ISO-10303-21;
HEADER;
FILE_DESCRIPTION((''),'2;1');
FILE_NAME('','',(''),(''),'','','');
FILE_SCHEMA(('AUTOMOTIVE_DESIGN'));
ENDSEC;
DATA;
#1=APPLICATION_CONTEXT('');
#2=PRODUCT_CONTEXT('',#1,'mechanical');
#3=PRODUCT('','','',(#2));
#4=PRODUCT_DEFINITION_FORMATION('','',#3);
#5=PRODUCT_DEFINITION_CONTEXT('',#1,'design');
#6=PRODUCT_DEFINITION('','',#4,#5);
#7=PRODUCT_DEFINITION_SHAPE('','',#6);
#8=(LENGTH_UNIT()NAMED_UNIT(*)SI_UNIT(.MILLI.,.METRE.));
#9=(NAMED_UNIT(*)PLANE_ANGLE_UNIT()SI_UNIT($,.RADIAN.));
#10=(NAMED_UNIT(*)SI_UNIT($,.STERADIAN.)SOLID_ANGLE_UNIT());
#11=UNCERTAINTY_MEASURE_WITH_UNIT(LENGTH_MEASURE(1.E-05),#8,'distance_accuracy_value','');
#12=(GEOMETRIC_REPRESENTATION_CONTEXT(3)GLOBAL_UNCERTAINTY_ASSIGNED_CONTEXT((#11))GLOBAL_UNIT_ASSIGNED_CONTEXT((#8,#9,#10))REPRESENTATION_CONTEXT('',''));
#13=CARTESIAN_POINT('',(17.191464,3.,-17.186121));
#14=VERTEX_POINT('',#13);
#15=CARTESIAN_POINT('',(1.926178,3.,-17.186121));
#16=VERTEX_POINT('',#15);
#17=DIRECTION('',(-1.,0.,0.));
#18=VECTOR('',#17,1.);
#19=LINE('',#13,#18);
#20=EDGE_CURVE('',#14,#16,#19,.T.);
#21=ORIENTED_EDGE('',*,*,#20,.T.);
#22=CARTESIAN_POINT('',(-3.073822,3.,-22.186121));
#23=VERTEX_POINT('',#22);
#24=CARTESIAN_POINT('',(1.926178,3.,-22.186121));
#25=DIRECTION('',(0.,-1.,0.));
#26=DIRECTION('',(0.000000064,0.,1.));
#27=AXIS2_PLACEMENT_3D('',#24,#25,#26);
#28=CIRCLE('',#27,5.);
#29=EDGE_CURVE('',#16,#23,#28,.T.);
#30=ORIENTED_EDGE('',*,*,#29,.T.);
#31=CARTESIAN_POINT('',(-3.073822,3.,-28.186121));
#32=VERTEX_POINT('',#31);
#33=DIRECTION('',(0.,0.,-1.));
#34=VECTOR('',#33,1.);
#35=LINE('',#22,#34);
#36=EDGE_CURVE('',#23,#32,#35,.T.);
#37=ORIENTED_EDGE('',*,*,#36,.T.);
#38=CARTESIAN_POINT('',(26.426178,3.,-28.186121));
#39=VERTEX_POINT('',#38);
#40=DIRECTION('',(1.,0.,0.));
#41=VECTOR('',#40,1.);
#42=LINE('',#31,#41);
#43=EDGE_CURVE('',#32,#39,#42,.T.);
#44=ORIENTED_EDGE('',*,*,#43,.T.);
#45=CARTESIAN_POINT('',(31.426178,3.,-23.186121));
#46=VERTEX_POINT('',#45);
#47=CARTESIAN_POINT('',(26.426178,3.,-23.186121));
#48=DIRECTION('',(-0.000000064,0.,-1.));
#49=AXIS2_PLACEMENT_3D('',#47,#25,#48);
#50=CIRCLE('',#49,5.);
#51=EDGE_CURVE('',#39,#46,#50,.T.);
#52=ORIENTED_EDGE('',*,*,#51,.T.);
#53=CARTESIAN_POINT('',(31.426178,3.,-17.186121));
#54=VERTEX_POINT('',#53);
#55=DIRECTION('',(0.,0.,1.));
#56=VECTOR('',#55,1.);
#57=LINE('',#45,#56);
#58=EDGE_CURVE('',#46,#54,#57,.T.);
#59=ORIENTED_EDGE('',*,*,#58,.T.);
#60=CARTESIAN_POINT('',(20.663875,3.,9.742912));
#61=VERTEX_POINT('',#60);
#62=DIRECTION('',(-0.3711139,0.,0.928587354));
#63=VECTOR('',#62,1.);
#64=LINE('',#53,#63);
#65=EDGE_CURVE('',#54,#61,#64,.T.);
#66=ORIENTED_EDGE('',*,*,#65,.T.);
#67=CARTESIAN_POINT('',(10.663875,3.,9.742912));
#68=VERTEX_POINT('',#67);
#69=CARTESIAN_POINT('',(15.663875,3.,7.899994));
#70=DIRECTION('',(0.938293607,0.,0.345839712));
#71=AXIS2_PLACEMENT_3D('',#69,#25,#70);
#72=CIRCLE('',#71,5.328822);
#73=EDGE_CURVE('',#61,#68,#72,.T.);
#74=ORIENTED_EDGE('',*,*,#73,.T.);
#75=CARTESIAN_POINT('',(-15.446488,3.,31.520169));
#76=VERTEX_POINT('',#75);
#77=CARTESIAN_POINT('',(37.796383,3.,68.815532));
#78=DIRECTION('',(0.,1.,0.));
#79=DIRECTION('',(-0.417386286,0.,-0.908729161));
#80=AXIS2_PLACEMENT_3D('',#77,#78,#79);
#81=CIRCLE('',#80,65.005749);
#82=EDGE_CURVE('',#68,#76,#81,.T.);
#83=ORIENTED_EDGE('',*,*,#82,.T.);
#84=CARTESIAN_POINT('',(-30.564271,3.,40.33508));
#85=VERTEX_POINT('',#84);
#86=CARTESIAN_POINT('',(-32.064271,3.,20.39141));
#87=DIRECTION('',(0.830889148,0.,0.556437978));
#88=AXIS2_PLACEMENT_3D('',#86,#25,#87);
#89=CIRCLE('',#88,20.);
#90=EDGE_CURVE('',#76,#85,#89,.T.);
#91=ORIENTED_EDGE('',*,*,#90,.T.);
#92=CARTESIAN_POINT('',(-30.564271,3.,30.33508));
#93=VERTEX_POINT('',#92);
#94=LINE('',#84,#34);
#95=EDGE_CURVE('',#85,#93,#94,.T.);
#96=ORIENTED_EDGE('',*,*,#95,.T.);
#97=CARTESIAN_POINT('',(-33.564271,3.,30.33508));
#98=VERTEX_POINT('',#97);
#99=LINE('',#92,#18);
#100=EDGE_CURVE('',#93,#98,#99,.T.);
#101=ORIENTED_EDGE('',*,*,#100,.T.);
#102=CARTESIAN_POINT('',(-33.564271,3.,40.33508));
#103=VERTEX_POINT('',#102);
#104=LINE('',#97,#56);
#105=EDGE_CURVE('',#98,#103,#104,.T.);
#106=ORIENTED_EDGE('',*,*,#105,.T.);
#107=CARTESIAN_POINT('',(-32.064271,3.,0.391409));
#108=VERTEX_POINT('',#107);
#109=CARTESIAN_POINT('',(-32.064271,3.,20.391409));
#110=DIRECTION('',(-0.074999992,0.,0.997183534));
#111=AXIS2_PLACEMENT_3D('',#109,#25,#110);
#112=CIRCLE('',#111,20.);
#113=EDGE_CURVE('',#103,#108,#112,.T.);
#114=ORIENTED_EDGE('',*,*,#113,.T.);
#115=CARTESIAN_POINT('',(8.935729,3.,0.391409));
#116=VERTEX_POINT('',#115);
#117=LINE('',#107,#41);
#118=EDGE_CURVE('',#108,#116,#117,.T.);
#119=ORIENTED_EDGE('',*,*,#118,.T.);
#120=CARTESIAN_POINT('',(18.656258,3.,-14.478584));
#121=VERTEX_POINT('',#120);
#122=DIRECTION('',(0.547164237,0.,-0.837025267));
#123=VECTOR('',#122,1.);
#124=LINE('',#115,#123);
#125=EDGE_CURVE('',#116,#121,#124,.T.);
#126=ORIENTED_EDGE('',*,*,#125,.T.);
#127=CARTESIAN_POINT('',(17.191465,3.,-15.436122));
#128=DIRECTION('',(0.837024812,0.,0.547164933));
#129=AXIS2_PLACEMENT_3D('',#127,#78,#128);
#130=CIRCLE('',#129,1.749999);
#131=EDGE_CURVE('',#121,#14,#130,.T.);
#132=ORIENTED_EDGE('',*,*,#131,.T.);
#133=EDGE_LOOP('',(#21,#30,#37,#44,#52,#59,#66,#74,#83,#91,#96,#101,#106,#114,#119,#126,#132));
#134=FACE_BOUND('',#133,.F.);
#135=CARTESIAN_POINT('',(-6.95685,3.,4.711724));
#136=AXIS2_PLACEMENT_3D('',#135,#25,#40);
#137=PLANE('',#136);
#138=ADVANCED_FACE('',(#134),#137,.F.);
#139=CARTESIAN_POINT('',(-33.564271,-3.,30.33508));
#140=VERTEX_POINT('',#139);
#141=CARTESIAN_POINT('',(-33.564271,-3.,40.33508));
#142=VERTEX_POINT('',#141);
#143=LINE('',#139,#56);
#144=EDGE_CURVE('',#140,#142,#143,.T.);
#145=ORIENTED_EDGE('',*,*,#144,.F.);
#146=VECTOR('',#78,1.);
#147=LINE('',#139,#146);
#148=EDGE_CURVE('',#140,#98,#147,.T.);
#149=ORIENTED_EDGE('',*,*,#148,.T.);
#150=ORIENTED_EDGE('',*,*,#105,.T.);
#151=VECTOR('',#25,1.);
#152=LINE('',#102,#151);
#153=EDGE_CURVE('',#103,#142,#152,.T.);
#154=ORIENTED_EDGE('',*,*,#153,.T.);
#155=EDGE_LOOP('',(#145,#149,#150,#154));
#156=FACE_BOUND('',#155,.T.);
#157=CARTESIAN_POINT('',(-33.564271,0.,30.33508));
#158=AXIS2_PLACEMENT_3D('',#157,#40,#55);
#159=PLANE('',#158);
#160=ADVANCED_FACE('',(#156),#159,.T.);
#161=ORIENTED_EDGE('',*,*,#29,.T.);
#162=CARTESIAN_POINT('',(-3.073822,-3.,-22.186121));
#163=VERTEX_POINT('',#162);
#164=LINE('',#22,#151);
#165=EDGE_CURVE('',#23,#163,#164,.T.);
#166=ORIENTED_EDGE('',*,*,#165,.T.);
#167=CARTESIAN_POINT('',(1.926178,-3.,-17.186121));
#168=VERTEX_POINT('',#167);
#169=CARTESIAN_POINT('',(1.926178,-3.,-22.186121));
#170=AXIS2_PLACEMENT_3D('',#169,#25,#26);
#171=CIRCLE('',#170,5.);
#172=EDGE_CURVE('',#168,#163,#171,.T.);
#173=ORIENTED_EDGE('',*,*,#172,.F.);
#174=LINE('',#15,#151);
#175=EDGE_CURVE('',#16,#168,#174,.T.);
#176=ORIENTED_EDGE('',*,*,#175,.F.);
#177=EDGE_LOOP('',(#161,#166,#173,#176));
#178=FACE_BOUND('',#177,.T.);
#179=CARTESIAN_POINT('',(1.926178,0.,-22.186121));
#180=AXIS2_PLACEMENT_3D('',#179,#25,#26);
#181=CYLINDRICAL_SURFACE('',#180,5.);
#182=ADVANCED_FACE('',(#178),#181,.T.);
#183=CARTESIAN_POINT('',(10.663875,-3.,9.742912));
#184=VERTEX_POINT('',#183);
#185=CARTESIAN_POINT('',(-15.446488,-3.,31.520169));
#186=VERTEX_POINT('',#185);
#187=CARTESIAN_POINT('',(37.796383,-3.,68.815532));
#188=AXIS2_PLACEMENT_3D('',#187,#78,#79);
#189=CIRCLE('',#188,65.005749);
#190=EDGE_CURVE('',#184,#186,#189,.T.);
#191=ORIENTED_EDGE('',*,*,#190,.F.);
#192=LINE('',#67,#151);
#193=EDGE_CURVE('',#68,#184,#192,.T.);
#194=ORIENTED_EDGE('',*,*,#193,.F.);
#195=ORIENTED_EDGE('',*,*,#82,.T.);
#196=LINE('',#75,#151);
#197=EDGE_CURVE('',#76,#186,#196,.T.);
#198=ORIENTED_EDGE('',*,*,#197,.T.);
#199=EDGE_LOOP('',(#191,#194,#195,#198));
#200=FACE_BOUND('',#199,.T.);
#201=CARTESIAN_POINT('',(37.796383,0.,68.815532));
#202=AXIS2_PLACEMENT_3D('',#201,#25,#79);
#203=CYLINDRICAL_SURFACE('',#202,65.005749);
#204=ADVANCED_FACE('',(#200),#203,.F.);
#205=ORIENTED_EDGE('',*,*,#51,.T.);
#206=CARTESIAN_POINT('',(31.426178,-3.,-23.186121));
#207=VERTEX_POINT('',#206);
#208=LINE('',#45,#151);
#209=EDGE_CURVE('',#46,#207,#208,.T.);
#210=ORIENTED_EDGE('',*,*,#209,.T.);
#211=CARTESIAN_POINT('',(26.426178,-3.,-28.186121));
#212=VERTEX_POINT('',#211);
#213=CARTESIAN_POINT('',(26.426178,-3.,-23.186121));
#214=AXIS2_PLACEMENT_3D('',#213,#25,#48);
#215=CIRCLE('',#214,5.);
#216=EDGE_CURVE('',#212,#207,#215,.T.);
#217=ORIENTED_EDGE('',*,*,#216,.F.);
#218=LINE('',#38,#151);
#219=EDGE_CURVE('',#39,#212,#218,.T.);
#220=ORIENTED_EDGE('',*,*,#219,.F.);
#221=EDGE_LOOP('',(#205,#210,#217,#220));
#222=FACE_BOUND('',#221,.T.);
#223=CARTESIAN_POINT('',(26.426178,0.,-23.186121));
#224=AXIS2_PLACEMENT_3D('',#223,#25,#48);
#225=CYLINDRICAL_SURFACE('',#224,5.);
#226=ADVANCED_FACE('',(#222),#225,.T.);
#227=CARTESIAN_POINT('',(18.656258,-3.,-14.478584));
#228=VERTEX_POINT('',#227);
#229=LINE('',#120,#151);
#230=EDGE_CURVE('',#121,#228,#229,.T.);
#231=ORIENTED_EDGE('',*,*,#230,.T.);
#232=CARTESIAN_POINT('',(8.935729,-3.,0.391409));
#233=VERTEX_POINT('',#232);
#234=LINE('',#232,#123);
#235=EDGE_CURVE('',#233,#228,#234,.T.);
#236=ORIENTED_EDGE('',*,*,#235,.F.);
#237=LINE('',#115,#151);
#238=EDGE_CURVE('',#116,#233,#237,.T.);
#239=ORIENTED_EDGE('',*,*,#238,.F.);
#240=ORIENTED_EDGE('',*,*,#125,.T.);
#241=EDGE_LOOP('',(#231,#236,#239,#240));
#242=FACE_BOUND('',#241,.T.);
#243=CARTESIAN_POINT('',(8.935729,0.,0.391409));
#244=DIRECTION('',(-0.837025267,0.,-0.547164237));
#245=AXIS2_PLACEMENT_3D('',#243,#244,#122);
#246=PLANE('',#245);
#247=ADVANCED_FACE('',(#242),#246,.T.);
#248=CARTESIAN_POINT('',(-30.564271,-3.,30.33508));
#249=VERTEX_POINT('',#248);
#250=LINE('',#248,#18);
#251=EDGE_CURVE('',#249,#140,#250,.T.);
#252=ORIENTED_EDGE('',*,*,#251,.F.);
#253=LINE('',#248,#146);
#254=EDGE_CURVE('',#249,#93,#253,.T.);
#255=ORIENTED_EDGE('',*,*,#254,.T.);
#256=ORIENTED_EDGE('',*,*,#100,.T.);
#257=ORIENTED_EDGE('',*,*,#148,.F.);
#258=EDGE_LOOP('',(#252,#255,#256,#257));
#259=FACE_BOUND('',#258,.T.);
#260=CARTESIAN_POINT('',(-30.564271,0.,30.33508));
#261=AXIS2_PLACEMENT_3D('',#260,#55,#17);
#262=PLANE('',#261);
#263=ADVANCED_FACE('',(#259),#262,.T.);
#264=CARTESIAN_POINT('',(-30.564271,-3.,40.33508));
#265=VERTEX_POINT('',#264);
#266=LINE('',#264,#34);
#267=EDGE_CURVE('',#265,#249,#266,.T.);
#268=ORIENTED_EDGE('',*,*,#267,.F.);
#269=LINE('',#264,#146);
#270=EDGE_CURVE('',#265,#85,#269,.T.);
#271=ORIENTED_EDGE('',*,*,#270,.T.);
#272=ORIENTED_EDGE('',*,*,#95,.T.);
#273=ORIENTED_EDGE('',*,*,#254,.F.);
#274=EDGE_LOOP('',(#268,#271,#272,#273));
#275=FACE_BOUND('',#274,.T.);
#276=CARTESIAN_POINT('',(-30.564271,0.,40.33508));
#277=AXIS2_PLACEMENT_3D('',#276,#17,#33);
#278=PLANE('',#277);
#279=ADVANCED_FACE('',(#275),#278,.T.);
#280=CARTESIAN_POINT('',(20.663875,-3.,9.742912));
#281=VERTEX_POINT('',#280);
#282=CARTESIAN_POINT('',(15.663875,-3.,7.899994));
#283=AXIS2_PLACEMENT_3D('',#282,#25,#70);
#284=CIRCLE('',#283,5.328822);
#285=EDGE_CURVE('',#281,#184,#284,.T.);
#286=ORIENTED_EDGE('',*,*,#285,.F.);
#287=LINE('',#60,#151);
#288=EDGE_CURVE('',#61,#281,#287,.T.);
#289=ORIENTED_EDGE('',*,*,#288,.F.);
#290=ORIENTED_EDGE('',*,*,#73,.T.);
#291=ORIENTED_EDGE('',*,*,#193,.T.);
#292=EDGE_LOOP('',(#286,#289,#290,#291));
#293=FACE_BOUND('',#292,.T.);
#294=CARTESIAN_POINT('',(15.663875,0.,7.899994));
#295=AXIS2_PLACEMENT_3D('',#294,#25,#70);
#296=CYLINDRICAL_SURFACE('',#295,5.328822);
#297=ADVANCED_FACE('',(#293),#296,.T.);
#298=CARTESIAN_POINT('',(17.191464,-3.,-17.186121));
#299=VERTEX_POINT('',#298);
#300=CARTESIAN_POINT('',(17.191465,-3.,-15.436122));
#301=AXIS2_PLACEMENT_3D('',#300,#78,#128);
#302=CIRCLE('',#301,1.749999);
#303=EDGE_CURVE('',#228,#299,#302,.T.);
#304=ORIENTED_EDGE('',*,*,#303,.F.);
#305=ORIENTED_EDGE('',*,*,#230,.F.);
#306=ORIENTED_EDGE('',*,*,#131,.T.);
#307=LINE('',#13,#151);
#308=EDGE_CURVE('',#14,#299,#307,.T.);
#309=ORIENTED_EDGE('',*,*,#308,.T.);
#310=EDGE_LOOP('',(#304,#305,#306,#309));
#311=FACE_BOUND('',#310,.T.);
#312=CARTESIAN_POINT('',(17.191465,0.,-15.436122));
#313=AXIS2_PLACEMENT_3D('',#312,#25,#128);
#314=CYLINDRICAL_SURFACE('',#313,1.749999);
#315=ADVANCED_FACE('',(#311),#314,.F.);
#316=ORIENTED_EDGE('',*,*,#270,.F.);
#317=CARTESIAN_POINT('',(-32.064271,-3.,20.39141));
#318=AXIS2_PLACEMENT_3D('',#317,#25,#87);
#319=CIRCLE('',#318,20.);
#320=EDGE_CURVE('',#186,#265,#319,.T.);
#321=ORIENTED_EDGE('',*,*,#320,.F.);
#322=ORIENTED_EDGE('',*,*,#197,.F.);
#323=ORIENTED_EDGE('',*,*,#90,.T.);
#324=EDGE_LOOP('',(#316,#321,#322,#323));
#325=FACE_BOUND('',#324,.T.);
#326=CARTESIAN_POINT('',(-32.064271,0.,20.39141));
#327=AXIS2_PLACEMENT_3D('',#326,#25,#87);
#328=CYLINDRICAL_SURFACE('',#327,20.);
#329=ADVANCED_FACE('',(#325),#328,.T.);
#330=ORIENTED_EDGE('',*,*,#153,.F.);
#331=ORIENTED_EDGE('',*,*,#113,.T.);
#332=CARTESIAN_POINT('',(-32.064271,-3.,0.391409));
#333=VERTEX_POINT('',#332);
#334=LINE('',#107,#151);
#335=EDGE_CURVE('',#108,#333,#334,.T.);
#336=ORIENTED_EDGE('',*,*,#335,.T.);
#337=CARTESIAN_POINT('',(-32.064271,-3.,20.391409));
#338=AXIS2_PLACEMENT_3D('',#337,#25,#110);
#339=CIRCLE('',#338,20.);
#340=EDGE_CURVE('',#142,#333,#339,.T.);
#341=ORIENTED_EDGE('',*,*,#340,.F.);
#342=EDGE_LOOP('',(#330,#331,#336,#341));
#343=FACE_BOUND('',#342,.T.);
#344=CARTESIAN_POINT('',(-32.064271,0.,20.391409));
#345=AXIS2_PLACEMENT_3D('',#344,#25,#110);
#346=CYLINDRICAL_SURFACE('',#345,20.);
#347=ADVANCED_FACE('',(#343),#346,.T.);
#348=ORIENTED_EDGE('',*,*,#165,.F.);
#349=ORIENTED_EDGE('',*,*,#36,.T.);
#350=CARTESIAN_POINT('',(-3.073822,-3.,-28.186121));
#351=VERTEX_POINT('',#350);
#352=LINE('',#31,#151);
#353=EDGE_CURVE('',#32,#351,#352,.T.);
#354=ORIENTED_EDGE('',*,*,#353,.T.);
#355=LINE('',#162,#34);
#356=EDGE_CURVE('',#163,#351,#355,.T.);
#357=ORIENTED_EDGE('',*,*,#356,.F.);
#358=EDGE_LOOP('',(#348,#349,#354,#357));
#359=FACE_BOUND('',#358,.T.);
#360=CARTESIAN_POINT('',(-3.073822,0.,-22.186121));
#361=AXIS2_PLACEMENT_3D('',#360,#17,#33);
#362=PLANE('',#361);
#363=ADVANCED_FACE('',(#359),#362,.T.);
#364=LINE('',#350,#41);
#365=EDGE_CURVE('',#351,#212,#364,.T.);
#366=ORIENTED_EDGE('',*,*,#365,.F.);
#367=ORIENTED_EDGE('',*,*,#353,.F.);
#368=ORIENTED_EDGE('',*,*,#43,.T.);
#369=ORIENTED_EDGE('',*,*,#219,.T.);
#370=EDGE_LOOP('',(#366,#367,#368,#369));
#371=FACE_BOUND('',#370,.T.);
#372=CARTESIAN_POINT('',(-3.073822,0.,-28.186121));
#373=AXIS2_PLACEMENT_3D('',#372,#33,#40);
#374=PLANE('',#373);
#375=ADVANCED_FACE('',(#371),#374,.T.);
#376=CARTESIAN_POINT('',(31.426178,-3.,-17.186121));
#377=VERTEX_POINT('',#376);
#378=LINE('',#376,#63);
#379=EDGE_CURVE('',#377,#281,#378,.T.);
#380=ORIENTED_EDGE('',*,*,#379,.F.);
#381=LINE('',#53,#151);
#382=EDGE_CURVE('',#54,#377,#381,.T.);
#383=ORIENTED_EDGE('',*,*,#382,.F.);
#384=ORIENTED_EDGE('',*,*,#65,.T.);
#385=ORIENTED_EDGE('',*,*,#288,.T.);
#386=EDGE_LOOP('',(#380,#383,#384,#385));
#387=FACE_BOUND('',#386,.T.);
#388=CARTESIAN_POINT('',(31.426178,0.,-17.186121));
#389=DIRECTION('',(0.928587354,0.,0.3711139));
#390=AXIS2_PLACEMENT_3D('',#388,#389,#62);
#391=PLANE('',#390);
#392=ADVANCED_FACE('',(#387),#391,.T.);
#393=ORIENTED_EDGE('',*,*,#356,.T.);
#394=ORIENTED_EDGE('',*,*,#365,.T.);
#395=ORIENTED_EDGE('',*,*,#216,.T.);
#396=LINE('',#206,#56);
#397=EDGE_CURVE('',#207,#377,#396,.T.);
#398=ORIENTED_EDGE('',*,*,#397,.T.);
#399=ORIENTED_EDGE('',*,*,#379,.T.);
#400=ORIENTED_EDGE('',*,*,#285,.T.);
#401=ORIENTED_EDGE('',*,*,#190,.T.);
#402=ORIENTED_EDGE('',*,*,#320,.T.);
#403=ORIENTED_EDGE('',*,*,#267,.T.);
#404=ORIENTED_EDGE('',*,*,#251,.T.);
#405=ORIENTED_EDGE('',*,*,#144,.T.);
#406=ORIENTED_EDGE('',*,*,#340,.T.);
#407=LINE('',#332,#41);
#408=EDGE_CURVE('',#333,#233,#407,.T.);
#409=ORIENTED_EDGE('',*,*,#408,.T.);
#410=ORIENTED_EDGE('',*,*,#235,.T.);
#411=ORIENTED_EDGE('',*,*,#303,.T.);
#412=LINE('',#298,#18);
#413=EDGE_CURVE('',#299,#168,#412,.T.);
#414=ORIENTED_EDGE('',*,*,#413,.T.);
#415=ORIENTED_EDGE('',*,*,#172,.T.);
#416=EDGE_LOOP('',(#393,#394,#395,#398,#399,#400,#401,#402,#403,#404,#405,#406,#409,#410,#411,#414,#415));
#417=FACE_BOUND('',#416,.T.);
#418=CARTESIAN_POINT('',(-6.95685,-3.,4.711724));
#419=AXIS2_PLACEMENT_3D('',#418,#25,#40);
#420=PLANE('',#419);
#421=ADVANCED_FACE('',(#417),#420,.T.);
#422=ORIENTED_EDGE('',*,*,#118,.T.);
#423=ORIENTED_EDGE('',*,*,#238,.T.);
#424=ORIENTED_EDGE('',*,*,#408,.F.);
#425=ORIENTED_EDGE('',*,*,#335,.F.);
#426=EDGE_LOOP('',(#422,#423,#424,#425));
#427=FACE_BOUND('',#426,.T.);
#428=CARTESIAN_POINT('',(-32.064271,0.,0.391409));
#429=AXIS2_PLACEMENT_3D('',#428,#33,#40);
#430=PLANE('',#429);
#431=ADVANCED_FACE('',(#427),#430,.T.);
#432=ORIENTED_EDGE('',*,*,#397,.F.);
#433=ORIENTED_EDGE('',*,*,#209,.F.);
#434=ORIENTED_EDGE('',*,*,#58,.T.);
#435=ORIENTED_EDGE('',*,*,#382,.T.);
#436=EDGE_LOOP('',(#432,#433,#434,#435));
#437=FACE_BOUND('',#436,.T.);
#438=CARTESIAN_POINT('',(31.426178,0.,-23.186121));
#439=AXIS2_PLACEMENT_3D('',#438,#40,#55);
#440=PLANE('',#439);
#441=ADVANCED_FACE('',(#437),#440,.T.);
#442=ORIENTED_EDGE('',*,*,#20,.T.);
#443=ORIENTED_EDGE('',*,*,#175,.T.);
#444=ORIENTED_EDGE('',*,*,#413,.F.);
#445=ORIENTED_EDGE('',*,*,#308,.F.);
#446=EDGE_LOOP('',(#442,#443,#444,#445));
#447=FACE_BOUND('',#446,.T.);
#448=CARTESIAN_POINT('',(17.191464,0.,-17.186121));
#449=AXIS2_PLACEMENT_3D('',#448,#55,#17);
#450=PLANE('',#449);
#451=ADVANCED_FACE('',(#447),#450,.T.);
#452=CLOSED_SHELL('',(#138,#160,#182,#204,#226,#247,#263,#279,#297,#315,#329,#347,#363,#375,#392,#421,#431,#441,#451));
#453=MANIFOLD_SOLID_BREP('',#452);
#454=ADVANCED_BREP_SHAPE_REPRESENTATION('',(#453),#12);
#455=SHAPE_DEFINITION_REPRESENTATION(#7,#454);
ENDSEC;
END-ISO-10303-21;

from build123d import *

# Parameters (mm, degrees)
F1_DEPTH      = 3
F1_DEPTH_BACK = 3


with BuildPart() as f1:
    # F0 (on Front) → F1 (new body, two sides)
    with BuildSketch(Plane.XZ) as f1_sk:
        with BuildLine():
            Line((-33.564271, 30.33508), (-33.564271, 40.33508))
            ThreePointArc((-33.564271, 40.33508), (-52.050184, 19.64088), (-32.064271, 0.391409))
            Line((-32.064271, 0.391409), (8.935729, 0.391409))
            Line((8.935729, 0.391409), (18.656258, -14.478584))
            ThreePointArc((18.656258, -14.478584), (18.730651, -16.268831), (17.191464, -17.186121))
            Line((17.191464, -17.186121), (1.926178, -17.186121))
            ThreePointArc((1.926178, -17.186121), (-1.609356, -18.650587), (-3.073822, -22.186121))
            Line((-3.073822, -22.186121), (-3.073822, -28.186121))
            Line((-3.073822, -28.186121), (26.426178, -28.186121))
            ThreePointArc((26.426178, -28.186121), (29.961712, -26.721655), (31.426178, -23.186121))
            Line((31.426178, -23.186121), (31.426178, -17.186121))
            Line((31.426178, -17.186121), (20.663875, 9.742912))
            ThreePointArc((20.663875, 9.742912), (15.663875, 13.228816), (10.663875, 9.742912))
            ThreePointArc((10.663875, 9.742912), (-3.840291, 18.894246), (-15.446488, 31.520169))
            ThreePointArc((-15.446488, 31.520169), (-21.990087, 37.668875), (-30.564271, 40.33508))
            Line((-30.564271, 40.33508), (-30.564271, 30.33508))
            Line((-30.564271, 30.33508), (-33.564271, 30.33508))
        make_face()
    extrude(amount=F1_DEPTH)
    extrude(f1_sk.sketch, amount=-F1_DEPTH_BACK)


solid = f1.part
